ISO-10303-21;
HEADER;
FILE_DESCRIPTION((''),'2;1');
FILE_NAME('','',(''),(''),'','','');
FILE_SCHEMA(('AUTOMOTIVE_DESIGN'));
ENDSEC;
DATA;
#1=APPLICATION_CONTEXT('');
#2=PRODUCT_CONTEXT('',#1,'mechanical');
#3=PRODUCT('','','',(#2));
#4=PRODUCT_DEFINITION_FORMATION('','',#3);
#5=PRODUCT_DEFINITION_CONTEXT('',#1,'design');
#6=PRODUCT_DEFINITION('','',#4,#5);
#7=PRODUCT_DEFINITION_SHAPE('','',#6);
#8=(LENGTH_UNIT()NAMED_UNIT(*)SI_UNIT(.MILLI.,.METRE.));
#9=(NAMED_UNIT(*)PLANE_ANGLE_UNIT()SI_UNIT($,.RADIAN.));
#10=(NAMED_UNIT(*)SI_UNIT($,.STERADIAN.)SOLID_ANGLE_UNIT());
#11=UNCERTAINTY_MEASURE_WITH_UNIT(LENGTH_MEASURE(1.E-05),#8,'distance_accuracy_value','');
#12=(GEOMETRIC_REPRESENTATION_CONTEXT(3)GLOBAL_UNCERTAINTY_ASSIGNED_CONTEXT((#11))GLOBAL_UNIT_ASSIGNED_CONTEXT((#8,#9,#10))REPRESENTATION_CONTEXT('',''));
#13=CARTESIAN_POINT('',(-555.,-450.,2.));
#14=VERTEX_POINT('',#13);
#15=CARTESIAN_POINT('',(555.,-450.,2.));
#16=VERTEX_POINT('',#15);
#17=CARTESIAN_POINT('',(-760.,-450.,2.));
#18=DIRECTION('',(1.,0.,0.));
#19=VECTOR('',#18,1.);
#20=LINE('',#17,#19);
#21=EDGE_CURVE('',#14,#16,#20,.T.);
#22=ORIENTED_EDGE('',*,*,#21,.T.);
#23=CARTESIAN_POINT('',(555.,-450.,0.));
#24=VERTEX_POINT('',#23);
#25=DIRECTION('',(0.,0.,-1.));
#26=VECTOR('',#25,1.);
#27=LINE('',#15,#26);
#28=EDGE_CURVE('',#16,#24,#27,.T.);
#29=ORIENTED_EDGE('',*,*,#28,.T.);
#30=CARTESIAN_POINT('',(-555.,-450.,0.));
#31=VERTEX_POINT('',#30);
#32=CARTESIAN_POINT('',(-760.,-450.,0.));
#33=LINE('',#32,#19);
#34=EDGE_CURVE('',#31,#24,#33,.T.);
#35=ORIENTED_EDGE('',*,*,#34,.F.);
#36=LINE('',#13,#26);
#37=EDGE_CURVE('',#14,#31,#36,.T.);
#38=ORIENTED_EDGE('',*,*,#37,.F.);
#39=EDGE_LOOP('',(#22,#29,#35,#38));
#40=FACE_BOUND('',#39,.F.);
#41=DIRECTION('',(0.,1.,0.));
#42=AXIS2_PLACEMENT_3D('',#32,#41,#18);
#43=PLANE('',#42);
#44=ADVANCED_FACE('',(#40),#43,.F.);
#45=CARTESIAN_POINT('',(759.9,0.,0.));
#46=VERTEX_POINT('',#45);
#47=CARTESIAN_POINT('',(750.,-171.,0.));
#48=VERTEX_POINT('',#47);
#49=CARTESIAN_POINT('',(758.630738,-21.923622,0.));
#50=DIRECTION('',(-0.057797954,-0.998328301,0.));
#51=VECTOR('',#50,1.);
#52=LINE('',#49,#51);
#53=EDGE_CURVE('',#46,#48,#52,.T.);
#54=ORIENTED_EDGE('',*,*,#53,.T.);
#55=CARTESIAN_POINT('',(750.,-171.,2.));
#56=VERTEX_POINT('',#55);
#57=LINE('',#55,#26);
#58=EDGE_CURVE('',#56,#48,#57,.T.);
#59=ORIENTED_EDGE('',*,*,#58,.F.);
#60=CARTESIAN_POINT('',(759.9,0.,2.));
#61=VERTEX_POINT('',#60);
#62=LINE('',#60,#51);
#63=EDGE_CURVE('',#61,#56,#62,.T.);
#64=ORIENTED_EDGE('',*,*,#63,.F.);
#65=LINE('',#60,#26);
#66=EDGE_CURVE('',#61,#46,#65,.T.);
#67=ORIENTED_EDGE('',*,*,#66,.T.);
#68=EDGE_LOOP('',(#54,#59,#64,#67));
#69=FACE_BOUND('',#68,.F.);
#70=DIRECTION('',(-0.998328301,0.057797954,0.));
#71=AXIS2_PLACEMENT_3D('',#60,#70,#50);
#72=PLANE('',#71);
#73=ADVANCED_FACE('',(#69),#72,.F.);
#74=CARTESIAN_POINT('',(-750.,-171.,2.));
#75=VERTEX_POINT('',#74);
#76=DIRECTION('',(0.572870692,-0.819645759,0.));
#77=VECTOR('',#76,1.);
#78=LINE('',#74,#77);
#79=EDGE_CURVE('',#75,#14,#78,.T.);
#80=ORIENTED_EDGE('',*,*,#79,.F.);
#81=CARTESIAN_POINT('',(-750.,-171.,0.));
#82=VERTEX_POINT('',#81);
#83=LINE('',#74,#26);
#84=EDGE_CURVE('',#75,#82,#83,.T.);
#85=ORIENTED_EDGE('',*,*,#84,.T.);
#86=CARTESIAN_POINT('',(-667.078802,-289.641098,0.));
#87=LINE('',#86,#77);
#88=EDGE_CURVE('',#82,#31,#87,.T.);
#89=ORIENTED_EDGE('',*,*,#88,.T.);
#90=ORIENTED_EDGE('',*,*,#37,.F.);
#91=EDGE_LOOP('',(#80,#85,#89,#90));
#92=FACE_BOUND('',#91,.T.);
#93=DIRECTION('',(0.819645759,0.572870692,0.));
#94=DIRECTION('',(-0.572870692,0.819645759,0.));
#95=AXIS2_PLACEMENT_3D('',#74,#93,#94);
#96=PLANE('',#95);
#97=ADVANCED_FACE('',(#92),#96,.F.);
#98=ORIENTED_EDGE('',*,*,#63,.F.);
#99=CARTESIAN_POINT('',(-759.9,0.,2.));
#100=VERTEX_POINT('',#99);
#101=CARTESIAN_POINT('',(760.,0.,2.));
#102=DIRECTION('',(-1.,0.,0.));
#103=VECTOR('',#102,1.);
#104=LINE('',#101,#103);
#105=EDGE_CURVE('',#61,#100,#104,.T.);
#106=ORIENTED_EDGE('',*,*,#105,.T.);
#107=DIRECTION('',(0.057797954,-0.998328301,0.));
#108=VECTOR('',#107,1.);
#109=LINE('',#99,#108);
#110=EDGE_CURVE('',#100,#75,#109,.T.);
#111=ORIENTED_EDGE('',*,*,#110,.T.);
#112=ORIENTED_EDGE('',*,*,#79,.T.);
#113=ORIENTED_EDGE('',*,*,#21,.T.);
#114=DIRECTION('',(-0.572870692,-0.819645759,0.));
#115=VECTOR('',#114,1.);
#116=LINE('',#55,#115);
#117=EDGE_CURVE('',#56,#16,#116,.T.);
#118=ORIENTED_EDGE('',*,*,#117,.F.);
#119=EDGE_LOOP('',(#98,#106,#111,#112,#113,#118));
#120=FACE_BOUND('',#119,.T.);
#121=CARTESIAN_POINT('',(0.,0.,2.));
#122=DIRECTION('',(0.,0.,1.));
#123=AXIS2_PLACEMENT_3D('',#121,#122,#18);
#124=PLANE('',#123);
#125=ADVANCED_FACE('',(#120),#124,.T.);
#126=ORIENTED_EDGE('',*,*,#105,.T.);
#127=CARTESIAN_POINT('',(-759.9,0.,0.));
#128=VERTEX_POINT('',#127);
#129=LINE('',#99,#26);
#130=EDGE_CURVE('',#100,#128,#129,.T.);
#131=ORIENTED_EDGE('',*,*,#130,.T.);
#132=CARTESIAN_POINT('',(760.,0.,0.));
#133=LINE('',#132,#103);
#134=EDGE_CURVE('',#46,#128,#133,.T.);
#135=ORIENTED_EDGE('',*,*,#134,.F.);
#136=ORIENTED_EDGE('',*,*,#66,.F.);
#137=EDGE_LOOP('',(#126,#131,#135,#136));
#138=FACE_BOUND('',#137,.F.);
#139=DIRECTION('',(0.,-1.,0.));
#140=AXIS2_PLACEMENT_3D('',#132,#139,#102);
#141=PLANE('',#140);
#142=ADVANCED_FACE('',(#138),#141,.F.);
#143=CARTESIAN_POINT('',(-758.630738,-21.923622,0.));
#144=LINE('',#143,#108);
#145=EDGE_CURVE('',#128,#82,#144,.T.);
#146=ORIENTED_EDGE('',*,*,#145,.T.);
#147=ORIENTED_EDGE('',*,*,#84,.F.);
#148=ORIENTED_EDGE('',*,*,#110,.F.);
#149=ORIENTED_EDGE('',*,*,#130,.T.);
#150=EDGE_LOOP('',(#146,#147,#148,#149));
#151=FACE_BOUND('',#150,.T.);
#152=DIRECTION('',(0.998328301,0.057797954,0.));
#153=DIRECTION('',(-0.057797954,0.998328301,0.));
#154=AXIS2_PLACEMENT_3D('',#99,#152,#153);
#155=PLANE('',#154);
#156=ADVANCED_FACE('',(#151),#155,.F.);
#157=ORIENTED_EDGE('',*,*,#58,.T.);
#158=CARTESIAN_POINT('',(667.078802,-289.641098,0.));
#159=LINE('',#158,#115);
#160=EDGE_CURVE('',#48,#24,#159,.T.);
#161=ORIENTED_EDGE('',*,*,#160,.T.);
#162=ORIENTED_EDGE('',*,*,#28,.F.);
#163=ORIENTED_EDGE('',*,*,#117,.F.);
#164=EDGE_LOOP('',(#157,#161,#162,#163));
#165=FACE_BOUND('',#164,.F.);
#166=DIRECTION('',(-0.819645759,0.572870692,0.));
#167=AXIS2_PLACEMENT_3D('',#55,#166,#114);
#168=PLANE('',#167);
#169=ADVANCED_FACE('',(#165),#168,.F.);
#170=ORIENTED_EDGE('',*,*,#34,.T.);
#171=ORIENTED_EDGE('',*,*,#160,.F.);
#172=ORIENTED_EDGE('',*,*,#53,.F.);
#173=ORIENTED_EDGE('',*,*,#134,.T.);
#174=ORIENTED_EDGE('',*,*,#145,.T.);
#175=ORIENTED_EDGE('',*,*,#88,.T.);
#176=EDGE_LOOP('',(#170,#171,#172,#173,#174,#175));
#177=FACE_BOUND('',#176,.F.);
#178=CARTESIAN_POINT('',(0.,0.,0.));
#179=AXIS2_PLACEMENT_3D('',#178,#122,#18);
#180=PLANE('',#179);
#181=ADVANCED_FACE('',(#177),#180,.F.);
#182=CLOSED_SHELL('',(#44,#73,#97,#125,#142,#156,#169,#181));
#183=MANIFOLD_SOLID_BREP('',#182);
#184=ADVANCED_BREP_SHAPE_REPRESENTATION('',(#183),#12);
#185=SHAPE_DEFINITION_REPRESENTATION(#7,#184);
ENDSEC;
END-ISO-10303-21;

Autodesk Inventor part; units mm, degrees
ref_plane "YZ Plane" through (0, 0, 0) normal (1, 0, 0) x (0, 1, 0)
ref_plane "XZ Plane" through (0, 0, 0) normal (0, 1, 0) x (-1, 0, 0)
ref_plane "XY Plane" through (0, 0, 0) normal (0, 0, 1) x (1, 0, 0)
sketch "Sketch1" plane through (0, 0, 0) normal (0, 0, 1) x (1, 0, 0)
  line L0 (-760, -450) -> (760, -450)
  line L1 (760, -450) -> (760, 0)
  line L2 (760, 0) -> (-760, 0)
  line L3 (-760, 0) -> (-760, -450)
  point P0 (0, 0)
  point P1 (0, 0)
  dimension "d0" = 450
  dimension "d1" = 1520
extrude "Plate1" add sketch "Sketch1" along normal blind 2
sketch "Sketch2" plane through (0, 0, 2) normal (0, 0, 1) x (1, 0, 0)
  line L0 (760, -450) -> (-760, -450) projected
  line L1 (760, 0) -> (760, -450) projected
  line L2 (-760, 0) -> (760, 0) projected
  line L3 (-760, -450) -> (-760, 0) projected
  line L4 (759.9, 0) -> (750, -171)
  line L5 (750, -171) -> (555, -450)
  line L6 (760, -450) -> (-760, -450) projected
  point P0 (0, 0)
  dimension "d3" = 0.1
  dimension "d8" = 10
  dimension "d9" = 171
  dimension "d10" = 205
extrude "Extrusion1" cut sketch "Sketch2" against normal through all contours L0 L5 L4 L2 L1
mirror "Mirror1" about plane through (0, 0, 0) normal (1, 0, 0) of "Extrusion1"
equation "\"d2\" = Thickness"
equation "\"BendReliefWidth\" = Thickness"
equation "\"BendReliefDepth\" = 0.5 * Thickness"
equation "\"CornerReliefSize\" = 4 * Thickness"
equation "\"MinimumRemnant\" = 2 * Thickness"
equation "\"TransitionRadius\" = BendRadius"
equation "\"JacobiRadiusSize\" = BendRadius"
equation "\"GapSize\" = Thickness"
equation "\"Thickness\" = 2"
equation "\"BendRadius\" = 2.75"
properties part number "MSC 704 face 4" material "Stainless Steel"
